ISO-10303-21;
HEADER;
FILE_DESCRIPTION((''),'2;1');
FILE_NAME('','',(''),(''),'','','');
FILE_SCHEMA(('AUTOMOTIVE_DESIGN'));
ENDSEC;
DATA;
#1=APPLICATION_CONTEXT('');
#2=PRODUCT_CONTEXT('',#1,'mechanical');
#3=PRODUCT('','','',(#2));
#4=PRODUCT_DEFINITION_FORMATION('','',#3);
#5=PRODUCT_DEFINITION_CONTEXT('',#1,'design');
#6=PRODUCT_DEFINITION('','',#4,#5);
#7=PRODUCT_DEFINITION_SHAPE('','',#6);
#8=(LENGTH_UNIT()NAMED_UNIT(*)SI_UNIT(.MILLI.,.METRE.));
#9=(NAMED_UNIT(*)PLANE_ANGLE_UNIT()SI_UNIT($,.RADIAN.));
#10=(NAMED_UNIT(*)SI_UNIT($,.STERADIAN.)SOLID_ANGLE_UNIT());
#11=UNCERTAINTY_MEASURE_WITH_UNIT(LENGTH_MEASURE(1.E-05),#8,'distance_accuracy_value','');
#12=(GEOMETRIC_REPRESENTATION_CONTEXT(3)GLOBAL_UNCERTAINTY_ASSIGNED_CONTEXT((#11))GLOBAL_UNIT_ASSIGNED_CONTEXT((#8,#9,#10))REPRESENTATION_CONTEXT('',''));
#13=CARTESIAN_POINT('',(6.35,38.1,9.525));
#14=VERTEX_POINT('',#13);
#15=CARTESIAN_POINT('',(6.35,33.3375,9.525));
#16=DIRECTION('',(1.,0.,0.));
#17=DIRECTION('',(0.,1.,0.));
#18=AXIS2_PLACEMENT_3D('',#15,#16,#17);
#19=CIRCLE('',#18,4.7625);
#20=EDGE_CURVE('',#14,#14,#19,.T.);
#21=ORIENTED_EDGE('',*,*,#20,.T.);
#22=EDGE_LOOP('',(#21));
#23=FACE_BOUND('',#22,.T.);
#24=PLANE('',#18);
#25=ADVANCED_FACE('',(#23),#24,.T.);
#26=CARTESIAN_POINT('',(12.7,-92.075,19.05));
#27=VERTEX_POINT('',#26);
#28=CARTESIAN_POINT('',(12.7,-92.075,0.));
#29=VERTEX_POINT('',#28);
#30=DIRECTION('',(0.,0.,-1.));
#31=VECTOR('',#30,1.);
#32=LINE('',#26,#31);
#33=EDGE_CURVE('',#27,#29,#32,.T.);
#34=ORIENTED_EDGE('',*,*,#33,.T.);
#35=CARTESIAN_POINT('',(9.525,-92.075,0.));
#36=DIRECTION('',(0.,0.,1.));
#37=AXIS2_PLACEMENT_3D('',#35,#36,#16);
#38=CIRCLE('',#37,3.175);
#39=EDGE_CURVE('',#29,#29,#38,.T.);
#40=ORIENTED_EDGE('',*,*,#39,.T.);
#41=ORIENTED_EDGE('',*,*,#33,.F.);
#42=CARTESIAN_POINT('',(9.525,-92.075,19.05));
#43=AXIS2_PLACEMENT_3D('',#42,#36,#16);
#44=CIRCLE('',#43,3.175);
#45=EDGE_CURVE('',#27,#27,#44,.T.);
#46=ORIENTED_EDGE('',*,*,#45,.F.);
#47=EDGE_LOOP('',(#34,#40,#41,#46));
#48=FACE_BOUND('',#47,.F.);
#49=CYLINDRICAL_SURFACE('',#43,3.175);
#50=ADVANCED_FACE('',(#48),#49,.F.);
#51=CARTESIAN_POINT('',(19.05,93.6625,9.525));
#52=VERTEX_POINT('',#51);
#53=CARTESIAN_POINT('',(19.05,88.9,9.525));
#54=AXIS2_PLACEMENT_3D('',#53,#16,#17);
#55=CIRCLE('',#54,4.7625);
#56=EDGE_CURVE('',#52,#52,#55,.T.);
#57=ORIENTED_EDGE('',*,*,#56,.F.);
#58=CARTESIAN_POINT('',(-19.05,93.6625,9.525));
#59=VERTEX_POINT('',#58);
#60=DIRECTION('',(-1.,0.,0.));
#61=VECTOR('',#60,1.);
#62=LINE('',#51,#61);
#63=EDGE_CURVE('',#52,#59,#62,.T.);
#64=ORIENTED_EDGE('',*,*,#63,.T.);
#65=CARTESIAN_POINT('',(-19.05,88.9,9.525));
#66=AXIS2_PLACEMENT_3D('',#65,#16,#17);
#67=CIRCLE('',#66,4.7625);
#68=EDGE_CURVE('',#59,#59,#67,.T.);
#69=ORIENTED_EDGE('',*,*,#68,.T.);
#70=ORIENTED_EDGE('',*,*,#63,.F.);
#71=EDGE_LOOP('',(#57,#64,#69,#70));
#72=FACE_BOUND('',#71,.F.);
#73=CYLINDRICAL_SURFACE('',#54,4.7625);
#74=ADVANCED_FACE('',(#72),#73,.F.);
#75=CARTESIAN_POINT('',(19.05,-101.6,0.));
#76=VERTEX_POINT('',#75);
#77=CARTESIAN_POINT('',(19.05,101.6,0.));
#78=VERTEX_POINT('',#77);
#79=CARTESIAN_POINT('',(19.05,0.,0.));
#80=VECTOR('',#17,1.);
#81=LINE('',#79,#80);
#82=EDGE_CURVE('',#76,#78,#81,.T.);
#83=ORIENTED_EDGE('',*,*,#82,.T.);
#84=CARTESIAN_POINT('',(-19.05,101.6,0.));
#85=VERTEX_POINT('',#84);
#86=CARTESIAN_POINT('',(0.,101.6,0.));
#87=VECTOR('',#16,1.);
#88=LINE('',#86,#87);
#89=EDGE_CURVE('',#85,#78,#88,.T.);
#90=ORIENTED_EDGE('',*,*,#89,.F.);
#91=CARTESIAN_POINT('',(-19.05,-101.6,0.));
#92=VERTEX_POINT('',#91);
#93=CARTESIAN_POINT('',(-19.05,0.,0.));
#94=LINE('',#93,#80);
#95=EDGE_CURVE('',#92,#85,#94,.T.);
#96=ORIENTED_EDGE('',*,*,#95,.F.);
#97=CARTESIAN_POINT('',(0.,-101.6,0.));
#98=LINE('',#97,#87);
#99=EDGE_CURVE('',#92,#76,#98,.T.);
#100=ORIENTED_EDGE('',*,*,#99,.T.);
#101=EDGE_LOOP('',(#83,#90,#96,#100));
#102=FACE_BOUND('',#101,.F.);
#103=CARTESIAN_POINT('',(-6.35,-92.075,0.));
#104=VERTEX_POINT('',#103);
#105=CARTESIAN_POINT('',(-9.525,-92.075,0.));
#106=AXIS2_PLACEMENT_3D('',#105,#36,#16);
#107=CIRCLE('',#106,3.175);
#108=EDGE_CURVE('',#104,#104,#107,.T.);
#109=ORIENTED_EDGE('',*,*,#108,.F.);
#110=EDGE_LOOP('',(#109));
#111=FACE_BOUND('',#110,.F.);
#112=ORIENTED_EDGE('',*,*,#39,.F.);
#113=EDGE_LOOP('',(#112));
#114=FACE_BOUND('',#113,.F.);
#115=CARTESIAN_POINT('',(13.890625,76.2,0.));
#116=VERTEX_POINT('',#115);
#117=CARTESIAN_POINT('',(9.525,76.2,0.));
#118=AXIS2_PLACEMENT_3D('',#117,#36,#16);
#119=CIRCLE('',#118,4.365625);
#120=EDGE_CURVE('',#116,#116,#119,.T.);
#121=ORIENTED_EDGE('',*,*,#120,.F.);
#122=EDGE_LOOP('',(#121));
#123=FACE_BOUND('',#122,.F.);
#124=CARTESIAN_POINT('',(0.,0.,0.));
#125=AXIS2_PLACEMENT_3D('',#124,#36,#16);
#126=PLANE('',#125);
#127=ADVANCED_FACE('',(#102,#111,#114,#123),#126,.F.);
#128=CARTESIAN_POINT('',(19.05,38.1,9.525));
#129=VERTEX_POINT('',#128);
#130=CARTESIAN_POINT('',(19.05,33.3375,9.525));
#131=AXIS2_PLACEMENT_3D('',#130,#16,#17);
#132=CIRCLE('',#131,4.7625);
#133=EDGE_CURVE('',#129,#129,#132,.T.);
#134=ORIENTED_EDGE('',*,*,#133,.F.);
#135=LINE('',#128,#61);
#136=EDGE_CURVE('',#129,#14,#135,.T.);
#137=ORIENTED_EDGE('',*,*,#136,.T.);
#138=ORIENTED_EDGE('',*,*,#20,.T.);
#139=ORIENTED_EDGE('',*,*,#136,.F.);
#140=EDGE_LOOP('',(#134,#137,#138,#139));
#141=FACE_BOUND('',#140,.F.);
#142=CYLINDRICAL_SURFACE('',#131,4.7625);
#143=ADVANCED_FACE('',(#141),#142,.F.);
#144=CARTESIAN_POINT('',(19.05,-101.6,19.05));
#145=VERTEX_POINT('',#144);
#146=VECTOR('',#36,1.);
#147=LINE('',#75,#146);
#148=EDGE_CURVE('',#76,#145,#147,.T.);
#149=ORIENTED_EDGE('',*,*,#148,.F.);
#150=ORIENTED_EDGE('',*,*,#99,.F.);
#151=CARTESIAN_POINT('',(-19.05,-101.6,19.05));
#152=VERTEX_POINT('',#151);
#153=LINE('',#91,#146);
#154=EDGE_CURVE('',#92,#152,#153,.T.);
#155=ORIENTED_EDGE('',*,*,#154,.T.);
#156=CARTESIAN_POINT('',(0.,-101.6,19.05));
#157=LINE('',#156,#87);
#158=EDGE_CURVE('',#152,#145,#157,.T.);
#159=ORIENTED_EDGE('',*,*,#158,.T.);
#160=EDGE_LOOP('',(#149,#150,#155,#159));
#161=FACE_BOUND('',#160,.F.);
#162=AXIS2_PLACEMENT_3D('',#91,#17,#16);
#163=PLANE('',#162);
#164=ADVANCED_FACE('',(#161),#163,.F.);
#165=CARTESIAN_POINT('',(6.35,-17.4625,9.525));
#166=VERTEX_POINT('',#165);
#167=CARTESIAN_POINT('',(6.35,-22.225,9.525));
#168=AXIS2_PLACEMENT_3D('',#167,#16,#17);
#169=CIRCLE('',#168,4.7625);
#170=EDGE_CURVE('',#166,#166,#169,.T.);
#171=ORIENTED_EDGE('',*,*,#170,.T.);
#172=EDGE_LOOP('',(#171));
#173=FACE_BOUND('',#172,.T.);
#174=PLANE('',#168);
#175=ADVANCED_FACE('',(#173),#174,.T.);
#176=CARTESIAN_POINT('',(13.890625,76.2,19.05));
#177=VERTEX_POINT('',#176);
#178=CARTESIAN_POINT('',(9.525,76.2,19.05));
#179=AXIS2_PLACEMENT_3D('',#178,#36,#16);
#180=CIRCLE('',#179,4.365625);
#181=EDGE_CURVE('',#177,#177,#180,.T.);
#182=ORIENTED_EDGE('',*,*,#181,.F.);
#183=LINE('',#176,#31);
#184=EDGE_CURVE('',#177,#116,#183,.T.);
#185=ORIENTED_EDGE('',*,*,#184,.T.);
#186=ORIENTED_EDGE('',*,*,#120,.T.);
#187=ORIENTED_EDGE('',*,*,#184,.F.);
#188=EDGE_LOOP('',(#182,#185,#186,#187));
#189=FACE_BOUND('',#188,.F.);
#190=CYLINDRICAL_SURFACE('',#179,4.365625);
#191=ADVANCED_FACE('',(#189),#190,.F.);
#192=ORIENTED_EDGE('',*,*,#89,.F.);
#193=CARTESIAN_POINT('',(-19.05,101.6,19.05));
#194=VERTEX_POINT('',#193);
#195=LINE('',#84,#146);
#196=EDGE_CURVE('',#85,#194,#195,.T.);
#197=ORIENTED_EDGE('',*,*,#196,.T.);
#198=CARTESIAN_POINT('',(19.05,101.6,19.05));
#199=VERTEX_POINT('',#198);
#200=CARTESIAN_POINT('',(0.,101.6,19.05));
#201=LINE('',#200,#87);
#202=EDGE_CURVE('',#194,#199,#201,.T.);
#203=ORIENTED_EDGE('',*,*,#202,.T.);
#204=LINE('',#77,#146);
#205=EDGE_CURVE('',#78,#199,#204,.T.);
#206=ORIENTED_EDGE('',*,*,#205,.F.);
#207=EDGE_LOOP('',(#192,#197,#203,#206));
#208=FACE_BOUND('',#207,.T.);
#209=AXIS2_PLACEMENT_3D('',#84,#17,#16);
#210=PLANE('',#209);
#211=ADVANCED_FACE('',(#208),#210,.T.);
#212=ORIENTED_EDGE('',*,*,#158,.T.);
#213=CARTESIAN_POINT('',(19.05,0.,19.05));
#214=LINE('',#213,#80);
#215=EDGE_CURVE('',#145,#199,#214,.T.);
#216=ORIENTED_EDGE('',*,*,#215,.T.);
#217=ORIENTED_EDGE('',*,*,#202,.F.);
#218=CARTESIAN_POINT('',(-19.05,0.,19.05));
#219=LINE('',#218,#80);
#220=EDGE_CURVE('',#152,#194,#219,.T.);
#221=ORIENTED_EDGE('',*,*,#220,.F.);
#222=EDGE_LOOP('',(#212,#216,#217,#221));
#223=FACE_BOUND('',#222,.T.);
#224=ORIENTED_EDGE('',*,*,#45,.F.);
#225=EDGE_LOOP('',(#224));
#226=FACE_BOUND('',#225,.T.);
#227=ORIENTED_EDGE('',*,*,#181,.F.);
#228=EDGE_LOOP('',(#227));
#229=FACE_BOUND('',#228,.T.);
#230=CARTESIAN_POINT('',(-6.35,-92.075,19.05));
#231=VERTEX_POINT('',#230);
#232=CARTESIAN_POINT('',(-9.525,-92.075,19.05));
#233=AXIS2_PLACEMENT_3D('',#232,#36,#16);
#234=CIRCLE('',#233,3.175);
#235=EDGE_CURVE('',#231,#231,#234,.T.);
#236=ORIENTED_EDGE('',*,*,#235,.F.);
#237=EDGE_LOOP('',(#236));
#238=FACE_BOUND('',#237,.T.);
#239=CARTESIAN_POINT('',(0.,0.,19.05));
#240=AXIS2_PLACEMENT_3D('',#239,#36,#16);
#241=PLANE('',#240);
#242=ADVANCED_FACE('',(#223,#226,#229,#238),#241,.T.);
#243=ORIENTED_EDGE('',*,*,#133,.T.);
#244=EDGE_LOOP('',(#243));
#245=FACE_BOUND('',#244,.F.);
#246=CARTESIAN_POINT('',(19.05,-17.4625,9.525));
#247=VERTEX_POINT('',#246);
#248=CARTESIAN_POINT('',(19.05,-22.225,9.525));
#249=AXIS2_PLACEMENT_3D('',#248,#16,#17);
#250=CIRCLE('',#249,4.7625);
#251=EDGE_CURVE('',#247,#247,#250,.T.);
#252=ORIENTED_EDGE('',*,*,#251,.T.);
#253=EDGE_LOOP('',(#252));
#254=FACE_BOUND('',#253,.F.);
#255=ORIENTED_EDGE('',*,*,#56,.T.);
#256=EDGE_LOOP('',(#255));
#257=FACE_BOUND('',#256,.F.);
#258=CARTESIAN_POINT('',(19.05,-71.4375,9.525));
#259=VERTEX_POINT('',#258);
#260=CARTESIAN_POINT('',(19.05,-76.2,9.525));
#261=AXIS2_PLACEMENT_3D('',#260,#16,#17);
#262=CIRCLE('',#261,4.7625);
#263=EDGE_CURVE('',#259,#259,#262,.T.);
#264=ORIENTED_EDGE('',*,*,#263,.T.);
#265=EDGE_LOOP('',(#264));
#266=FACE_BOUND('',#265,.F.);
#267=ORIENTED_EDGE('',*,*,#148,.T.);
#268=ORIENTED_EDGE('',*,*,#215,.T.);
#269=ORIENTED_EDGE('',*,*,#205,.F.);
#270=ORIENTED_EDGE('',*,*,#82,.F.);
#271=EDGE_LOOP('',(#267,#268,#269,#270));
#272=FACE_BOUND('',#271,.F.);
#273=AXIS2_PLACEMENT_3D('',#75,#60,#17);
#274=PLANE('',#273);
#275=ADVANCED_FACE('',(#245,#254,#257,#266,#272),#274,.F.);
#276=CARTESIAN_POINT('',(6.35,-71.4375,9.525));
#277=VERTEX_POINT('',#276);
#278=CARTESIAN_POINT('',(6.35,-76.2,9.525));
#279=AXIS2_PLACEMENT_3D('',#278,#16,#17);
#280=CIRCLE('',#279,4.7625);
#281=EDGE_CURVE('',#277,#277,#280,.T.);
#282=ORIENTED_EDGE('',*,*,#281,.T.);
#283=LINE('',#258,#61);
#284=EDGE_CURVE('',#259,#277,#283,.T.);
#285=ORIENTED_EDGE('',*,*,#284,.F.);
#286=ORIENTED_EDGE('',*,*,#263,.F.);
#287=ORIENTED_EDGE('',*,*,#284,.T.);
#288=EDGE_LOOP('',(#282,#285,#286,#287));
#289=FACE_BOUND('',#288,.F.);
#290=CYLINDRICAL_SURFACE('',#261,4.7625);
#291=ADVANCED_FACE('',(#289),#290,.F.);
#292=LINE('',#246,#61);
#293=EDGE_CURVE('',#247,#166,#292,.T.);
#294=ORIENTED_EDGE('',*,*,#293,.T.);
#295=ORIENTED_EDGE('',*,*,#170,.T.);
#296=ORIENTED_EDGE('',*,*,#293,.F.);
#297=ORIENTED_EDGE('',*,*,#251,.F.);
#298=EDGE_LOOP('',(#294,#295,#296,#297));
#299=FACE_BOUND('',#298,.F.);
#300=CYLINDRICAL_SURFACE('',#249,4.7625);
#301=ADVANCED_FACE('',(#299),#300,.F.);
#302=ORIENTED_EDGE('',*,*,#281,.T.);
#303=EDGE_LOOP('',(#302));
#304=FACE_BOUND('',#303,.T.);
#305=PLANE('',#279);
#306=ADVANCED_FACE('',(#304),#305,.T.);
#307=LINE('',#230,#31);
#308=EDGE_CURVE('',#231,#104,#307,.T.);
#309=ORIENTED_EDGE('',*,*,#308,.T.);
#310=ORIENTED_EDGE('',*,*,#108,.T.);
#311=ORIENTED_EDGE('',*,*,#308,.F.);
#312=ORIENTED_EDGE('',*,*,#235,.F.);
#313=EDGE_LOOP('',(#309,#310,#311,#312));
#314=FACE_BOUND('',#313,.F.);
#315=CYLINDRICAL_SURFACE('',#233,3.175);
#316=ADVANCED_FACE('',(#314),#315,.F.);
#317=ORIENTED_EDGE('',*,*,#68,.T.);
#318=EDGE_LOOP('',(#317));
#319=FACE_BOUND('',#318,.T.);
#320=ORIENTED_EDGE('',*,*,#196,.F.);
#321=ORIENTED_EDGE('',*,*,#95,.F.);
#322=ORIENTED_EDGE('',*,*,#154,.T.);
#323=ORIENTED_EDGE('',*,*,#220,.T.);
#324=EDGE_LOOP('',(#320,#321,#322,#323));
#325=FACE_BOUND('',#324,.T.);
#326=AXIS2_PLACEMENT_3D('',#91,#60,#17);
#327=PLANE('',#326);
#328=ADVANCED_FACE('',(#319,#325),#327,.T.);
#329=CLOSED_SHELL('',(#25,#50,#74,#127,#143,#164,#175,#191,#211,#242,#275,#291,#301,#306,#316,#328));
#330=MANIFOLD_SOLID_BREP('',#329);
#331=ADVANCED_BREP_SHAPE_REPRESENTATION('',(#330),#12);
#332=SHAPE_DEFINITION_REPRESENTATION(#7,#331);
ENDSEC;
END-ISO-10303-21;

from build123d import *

# Parameters (mm, degrees)
F0_W     = 38.1
F0_H     = 203.2
F1_DEPTH = 19.05
F2_R     = 4.7625
F3_DEPTH = 38.101
F4_R     = 3.175
F5_DEPTH = 19.051
F6_R     = 4.365625
F7_DEPTH = 19.051
F8_DEPTH = 12.7


with BuildPart() as f1:
    # F0 (on Top) → F1 (new body)
    with BuildSketch(Plane.XY):
        Rectangle(F0_W, F0_H)
    extrude(amount=F1_DEPTH)

    # F2 (on face) → F3 (cut, through all)
    with BuildSketch(Plane.YZ.offset(19.05)):
        with Locations((88.9, 9.525)):
            Circle(F2_R)
    extrude(amount=-F3_DEPTH, mode=Mode.SUBTRACT)

    # F4 (on face) → F5 (cut, through all)
    with BuildSketch(Plane.XY.offset(19.05)):
        with Locations((-9.525, -92.075)):
            Circle(F4_R)
        with Locations((9.525, -92.075)):
            Circle(F4_R)
    extrude(amount=-F5_DEPTH, mode=Mode.SUBTRACT)

    # F6 (on face) → F7 (cut, through all)
    with BuildSketch(Plane.XY.offset(19.05)):
        with Locations((9.525, 76.2)):
            Circle(F6_R)
    extrude(amount=-F7_DEPTH, mode=Mode.SUBTRACT)

    # F2 (on face) → F8 (cut)
    with BuildSketch(Plane.YZ.offset(19.05)):
        with Locations((33.3375, 9.525)):
            Circle(F2_R)
        with Locations((-22.225, 9.525)):
            Circle(F2_R)
        with Locations((-76.2, 9.525)):
            Circle(F2_R)
    extrude(amount=-F8_DEPTH, mode=Mode.SUBTRACT)


solid = f1.part
